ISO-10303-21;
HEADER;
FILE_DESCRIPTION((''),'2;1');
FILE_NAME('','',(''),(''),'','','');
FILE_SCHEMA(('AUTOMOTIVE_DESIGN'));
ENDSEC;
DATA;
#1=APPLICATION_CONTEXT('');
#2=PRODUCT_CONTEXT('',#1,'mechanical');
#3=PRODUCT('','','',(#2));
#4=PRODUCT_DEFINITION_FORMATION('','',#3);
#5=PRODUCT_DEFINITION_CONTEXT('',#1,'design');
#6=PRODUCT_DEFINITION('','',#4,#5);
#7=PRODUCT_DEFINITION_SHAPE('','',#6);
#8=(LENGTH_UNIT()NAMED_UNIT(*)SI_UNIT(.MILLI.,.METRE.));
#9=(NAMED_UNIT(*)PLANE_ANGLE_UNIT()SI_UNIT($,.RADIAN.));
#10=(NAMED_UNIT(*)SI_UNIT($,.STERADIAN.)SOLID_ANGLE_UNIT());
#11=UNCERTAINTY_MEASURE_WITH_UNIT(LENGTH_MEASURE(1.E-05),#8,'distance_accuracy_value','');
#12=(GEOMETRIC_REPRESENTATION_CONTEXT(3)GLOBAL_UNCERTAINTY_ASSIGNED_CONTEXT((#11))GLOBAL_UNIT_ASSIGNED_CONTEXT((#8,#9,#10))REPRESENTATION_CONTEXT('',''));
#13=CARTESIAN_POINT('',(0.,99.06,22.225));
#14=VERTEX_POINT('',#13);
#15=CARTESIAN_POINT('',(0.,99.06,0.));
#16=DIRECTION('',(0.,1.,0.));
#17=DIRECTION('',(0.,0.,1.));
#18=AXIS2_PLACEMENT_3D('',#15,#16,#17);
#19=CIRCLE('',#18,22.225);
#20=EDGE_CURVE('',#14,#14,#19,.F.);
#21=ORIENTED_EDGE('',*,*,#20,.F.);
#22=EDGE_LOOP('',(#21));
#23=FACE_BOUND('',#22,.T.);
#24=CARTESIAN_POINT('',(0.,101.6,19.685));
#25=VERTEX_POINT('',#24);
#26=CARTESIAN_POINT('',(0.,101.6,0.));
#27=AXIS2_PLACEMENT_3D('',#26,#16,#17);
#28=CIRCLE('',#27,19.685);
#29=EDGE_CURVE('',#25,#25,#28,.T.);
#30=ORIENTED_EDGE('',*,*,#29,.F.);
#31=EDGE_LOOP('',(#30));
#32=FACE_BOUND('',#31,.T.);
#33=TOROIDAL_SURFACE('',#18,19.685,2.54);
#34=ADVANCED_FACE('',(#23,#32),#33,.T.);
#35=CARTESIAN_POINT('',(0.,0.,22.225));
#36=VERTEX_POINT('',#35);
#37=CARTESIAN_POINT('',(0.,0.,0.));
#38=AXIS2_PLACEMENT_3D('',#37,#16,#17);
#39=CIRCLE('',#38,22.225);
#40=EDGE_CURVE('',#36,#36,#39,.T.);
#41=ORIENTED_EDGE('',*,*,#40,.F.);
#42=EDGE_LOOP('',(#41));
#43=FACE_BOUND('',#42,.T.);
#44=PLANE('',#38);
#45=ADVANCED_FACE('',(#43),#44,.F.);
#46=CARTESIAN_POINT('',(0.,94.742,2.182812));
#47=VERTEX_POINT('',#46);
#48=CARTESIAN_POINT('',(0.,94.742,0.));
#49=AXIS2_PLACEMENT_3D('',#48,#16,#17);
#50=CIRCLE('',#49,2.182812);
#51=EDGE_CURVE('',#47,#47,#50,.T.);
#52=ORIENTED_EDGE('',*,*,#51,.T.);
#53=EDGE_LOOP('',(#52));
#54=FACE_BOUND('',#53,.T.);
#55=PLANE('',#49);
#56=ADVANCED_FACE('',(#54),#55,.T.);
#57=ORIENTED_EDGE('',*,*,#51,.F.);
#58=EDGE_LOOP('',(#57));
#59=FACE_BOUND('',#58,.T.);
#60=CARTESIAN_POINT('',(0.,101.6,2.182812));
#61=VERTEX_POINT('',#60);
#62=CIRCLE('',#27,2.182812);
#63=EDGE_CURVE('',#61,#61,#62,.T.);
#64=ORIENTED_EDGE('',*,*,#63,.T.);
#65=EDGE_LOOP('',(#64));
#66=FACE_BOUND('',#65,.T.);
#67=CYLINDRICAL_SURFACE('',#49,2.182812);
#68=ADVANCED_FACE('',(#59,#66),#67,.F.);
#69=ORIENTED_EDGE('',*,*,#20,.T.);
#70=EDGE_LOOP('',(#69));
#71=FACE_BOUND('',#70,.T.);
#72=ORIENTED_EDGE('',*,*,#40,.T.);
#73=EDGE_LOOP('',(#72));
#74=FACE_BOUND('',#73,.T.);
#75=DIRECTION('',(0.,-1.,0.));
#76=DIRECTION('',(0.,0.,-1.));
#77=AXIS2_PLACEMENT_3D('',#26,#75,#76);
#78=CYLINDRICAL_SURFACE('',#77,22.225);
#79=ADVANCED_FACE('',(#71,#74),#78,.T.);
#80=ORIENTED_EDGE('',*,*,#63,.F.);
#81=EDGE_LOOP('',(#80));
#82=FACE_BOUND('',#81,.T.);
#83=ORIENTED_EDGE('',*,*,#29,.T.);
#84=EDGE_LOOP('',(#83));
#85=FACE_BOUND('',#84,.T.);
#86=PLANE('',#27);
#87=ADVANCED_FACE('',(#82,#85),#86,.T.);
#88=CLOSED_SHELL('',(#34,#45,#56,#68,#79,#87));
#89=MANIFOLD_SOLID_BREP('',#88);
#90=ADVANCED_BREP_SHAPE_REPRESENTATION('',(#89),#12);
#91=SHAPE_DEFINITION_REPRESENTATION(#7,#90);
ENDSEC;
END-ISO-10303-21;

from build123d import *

# Parameters (mm, degrees)
SKETCH1_R           = 22.225
BOSS_EXTRUDE1_DEPTH = 101.6
FILLET1_R           = 2.54
SKETCH2_R           = 2.1828125
CUT_EXTRUDE1_DEPTH  = 6.858


with BuildPart() as part:
    # Sketch1 → Boss-Extrude1 (new body)
    with BuildSketch(Plane(origin=(0, 0, 0), x_dir=(1, 0, 0), z_dir=(0, 1, 0))):
        Circle(SKETCH1_R)
    extrude(amount=BOSS_EXTRUDE1_DEPTH)

    # Fillet1
    fillet1_edges = [part.edges().sort_by_distance(p)[0] for p in [
        (-22.225, 101.6, 0),
    ]]
    fillet(fillet1_edges, radius=FILLET1_R)

    # Sketch2 → Cut-Extrude1 (cut)
    with BuildSketch(Plane(origin=(0, 101.6, 0), x_dir=(1, 0, 0), z_dir=(0, 1, 0))):
        Circle(SKETCH2_R)
    extrude(amount=-CUT_EXTRUDE1_DEPTH, mode=Mode.SUBTRACT)


solid = part.part
